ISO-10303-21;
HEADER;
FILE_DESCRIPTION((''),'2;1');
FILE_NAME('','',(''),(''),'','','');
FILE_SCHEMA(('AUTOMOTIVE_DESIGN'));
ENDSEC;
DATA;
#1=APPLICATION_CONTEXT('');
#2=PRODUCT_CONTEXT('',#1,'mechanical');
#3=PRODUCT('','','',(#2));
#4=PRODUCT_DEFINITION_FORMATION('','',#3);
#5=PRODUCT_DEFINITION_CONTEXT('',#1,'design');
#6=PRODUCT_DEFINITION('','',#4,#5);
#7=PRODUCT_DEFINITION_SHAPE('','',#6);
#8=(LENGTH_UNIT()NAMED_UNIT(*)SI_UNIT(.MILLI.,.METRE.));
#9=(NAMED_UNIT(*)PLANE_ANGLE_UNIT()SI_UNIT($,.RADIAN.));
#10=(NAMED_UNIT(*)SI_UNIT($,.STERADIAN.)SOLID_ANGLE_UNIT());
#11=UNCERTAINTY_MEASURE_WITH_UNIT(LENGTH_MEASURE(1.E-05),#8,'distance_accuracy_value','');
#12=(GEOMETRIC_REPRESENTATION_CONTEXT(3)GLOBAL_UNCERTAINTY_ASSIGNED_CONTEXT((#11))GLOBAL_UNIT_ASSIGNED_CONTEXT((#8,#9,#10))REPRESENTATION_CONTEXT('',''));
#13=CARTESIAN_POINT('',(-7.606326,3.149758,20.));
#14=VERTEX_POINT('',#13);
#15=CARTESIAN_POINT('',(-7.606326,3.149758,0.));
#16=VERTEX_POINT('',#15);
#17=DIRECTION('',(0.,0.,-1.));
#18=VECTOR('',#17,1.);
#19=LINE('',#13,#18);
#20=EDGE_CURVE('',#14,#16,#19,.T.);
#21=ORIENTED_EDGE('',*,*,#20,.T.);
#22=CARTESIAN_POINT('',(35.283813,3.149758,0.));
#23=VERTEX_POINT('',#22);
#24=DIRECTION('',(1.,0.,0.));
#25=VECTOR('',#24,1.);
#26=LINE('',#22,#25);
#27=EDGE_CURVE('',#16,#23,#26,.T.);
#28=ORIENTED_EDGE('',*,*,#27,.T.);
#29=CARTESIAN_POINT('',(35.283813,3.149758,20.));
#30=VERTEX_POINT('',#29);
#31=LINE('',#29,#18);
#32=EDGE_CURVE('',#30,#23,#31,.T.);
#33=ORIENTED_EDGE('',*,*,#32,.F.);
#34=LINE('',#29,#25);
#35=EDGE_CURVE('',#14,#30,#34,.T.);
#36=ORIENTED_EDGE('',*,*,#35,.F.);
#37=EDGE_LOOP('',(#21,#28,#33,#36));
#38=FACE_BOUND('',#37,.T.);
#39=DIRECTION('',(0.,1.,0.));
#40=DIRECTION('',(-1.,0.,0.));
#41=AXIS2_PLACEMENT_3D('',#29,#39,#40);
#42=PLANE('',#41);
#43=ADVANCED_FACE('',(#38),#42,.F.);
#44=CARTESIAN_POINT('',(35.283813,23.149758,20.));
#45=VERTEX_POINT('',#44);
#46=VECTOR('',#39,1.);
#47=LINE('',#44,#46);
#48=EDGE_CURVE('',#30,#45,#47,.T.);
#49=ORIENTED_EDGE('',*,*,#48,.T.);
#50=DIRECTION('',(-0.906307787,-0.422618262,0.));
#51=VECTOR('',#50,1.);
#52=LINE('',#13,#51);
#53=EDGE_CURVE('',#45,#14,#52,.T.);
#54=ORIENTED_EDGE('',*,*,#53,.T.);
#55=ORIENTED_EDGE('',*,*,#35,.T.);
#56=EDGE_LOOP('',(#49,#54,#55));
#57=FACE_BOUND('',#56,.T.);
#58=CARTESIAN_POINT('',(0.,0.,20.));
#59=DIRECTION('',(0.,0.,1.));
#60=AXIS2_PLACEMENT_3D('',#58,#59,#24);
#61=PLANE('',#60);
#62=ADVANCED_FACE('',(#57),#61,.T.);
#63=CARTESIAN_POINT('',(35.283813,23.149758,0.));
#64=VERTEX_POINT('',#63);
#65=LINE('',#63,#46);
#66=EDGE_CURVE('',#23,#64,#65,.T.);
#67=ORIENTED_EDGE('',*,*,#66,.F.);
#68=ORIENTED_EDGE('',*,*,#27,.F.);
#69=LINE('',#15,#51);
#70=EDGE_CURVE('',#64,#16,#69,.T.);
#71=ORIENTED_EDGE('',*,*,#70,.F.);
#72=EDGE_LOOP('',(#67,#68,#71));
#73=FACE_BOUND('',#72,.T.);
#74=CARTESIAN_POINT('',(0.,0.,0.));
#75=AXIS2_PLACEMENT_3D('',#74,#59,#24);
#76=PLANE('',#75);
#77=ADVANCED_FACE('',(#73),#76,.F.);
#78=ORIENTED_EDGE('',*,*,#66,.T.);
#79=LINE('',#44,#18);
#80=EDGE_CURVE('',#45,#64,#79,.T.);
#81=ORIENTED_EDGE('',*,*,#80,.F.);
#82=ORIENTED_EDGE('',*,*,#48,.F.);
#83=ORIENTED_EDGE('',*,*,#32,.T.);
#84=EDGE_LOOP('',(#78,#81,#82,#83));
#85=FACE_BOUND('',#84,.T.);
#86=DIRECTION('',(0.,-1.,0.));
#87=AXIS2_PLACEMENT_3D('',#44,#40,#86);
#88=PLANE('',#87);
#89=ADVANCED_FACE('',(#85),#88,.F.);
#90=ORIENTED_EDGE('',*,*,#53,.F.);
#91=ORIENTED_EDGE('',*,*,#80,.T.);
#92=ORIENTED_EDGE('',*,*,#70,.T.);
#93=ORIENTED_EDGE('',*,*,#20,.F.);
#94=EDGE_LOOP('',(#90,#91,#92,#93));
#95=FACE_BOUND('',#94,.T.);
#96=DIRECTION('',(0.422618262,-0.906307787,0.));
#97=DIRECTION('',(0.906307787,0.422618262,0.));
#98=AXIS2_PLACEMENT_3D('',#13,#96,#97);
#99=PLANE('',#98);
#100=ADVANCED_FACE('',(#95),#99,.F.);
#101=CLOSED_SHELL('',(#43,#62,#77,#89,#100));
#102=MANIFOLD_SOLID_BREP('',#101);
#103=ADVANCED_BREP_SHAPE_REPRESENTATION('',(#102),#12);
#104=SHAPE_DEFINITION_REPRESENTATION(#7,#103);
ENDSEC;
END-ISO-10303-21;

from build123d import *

# Parameters (mm, degrees)
Y_KSEKLIK_EKSTR_ZYON1_DEPTH = 20


with BuildPart() as part:
    # Çizim1 → Yükseklik-Ekstrüzyon1 (new body)
    with BuildSketch(Plane.XY):
        Polygon((-7.606325652, 3.149757742), (35.283812758, 23.149757742), (35.283812758, 3.149757742), align=None)
    extrude(amount=Y_KSEKLIK_EKSTR_ZYON1_DEPTH)


solid = part.part
